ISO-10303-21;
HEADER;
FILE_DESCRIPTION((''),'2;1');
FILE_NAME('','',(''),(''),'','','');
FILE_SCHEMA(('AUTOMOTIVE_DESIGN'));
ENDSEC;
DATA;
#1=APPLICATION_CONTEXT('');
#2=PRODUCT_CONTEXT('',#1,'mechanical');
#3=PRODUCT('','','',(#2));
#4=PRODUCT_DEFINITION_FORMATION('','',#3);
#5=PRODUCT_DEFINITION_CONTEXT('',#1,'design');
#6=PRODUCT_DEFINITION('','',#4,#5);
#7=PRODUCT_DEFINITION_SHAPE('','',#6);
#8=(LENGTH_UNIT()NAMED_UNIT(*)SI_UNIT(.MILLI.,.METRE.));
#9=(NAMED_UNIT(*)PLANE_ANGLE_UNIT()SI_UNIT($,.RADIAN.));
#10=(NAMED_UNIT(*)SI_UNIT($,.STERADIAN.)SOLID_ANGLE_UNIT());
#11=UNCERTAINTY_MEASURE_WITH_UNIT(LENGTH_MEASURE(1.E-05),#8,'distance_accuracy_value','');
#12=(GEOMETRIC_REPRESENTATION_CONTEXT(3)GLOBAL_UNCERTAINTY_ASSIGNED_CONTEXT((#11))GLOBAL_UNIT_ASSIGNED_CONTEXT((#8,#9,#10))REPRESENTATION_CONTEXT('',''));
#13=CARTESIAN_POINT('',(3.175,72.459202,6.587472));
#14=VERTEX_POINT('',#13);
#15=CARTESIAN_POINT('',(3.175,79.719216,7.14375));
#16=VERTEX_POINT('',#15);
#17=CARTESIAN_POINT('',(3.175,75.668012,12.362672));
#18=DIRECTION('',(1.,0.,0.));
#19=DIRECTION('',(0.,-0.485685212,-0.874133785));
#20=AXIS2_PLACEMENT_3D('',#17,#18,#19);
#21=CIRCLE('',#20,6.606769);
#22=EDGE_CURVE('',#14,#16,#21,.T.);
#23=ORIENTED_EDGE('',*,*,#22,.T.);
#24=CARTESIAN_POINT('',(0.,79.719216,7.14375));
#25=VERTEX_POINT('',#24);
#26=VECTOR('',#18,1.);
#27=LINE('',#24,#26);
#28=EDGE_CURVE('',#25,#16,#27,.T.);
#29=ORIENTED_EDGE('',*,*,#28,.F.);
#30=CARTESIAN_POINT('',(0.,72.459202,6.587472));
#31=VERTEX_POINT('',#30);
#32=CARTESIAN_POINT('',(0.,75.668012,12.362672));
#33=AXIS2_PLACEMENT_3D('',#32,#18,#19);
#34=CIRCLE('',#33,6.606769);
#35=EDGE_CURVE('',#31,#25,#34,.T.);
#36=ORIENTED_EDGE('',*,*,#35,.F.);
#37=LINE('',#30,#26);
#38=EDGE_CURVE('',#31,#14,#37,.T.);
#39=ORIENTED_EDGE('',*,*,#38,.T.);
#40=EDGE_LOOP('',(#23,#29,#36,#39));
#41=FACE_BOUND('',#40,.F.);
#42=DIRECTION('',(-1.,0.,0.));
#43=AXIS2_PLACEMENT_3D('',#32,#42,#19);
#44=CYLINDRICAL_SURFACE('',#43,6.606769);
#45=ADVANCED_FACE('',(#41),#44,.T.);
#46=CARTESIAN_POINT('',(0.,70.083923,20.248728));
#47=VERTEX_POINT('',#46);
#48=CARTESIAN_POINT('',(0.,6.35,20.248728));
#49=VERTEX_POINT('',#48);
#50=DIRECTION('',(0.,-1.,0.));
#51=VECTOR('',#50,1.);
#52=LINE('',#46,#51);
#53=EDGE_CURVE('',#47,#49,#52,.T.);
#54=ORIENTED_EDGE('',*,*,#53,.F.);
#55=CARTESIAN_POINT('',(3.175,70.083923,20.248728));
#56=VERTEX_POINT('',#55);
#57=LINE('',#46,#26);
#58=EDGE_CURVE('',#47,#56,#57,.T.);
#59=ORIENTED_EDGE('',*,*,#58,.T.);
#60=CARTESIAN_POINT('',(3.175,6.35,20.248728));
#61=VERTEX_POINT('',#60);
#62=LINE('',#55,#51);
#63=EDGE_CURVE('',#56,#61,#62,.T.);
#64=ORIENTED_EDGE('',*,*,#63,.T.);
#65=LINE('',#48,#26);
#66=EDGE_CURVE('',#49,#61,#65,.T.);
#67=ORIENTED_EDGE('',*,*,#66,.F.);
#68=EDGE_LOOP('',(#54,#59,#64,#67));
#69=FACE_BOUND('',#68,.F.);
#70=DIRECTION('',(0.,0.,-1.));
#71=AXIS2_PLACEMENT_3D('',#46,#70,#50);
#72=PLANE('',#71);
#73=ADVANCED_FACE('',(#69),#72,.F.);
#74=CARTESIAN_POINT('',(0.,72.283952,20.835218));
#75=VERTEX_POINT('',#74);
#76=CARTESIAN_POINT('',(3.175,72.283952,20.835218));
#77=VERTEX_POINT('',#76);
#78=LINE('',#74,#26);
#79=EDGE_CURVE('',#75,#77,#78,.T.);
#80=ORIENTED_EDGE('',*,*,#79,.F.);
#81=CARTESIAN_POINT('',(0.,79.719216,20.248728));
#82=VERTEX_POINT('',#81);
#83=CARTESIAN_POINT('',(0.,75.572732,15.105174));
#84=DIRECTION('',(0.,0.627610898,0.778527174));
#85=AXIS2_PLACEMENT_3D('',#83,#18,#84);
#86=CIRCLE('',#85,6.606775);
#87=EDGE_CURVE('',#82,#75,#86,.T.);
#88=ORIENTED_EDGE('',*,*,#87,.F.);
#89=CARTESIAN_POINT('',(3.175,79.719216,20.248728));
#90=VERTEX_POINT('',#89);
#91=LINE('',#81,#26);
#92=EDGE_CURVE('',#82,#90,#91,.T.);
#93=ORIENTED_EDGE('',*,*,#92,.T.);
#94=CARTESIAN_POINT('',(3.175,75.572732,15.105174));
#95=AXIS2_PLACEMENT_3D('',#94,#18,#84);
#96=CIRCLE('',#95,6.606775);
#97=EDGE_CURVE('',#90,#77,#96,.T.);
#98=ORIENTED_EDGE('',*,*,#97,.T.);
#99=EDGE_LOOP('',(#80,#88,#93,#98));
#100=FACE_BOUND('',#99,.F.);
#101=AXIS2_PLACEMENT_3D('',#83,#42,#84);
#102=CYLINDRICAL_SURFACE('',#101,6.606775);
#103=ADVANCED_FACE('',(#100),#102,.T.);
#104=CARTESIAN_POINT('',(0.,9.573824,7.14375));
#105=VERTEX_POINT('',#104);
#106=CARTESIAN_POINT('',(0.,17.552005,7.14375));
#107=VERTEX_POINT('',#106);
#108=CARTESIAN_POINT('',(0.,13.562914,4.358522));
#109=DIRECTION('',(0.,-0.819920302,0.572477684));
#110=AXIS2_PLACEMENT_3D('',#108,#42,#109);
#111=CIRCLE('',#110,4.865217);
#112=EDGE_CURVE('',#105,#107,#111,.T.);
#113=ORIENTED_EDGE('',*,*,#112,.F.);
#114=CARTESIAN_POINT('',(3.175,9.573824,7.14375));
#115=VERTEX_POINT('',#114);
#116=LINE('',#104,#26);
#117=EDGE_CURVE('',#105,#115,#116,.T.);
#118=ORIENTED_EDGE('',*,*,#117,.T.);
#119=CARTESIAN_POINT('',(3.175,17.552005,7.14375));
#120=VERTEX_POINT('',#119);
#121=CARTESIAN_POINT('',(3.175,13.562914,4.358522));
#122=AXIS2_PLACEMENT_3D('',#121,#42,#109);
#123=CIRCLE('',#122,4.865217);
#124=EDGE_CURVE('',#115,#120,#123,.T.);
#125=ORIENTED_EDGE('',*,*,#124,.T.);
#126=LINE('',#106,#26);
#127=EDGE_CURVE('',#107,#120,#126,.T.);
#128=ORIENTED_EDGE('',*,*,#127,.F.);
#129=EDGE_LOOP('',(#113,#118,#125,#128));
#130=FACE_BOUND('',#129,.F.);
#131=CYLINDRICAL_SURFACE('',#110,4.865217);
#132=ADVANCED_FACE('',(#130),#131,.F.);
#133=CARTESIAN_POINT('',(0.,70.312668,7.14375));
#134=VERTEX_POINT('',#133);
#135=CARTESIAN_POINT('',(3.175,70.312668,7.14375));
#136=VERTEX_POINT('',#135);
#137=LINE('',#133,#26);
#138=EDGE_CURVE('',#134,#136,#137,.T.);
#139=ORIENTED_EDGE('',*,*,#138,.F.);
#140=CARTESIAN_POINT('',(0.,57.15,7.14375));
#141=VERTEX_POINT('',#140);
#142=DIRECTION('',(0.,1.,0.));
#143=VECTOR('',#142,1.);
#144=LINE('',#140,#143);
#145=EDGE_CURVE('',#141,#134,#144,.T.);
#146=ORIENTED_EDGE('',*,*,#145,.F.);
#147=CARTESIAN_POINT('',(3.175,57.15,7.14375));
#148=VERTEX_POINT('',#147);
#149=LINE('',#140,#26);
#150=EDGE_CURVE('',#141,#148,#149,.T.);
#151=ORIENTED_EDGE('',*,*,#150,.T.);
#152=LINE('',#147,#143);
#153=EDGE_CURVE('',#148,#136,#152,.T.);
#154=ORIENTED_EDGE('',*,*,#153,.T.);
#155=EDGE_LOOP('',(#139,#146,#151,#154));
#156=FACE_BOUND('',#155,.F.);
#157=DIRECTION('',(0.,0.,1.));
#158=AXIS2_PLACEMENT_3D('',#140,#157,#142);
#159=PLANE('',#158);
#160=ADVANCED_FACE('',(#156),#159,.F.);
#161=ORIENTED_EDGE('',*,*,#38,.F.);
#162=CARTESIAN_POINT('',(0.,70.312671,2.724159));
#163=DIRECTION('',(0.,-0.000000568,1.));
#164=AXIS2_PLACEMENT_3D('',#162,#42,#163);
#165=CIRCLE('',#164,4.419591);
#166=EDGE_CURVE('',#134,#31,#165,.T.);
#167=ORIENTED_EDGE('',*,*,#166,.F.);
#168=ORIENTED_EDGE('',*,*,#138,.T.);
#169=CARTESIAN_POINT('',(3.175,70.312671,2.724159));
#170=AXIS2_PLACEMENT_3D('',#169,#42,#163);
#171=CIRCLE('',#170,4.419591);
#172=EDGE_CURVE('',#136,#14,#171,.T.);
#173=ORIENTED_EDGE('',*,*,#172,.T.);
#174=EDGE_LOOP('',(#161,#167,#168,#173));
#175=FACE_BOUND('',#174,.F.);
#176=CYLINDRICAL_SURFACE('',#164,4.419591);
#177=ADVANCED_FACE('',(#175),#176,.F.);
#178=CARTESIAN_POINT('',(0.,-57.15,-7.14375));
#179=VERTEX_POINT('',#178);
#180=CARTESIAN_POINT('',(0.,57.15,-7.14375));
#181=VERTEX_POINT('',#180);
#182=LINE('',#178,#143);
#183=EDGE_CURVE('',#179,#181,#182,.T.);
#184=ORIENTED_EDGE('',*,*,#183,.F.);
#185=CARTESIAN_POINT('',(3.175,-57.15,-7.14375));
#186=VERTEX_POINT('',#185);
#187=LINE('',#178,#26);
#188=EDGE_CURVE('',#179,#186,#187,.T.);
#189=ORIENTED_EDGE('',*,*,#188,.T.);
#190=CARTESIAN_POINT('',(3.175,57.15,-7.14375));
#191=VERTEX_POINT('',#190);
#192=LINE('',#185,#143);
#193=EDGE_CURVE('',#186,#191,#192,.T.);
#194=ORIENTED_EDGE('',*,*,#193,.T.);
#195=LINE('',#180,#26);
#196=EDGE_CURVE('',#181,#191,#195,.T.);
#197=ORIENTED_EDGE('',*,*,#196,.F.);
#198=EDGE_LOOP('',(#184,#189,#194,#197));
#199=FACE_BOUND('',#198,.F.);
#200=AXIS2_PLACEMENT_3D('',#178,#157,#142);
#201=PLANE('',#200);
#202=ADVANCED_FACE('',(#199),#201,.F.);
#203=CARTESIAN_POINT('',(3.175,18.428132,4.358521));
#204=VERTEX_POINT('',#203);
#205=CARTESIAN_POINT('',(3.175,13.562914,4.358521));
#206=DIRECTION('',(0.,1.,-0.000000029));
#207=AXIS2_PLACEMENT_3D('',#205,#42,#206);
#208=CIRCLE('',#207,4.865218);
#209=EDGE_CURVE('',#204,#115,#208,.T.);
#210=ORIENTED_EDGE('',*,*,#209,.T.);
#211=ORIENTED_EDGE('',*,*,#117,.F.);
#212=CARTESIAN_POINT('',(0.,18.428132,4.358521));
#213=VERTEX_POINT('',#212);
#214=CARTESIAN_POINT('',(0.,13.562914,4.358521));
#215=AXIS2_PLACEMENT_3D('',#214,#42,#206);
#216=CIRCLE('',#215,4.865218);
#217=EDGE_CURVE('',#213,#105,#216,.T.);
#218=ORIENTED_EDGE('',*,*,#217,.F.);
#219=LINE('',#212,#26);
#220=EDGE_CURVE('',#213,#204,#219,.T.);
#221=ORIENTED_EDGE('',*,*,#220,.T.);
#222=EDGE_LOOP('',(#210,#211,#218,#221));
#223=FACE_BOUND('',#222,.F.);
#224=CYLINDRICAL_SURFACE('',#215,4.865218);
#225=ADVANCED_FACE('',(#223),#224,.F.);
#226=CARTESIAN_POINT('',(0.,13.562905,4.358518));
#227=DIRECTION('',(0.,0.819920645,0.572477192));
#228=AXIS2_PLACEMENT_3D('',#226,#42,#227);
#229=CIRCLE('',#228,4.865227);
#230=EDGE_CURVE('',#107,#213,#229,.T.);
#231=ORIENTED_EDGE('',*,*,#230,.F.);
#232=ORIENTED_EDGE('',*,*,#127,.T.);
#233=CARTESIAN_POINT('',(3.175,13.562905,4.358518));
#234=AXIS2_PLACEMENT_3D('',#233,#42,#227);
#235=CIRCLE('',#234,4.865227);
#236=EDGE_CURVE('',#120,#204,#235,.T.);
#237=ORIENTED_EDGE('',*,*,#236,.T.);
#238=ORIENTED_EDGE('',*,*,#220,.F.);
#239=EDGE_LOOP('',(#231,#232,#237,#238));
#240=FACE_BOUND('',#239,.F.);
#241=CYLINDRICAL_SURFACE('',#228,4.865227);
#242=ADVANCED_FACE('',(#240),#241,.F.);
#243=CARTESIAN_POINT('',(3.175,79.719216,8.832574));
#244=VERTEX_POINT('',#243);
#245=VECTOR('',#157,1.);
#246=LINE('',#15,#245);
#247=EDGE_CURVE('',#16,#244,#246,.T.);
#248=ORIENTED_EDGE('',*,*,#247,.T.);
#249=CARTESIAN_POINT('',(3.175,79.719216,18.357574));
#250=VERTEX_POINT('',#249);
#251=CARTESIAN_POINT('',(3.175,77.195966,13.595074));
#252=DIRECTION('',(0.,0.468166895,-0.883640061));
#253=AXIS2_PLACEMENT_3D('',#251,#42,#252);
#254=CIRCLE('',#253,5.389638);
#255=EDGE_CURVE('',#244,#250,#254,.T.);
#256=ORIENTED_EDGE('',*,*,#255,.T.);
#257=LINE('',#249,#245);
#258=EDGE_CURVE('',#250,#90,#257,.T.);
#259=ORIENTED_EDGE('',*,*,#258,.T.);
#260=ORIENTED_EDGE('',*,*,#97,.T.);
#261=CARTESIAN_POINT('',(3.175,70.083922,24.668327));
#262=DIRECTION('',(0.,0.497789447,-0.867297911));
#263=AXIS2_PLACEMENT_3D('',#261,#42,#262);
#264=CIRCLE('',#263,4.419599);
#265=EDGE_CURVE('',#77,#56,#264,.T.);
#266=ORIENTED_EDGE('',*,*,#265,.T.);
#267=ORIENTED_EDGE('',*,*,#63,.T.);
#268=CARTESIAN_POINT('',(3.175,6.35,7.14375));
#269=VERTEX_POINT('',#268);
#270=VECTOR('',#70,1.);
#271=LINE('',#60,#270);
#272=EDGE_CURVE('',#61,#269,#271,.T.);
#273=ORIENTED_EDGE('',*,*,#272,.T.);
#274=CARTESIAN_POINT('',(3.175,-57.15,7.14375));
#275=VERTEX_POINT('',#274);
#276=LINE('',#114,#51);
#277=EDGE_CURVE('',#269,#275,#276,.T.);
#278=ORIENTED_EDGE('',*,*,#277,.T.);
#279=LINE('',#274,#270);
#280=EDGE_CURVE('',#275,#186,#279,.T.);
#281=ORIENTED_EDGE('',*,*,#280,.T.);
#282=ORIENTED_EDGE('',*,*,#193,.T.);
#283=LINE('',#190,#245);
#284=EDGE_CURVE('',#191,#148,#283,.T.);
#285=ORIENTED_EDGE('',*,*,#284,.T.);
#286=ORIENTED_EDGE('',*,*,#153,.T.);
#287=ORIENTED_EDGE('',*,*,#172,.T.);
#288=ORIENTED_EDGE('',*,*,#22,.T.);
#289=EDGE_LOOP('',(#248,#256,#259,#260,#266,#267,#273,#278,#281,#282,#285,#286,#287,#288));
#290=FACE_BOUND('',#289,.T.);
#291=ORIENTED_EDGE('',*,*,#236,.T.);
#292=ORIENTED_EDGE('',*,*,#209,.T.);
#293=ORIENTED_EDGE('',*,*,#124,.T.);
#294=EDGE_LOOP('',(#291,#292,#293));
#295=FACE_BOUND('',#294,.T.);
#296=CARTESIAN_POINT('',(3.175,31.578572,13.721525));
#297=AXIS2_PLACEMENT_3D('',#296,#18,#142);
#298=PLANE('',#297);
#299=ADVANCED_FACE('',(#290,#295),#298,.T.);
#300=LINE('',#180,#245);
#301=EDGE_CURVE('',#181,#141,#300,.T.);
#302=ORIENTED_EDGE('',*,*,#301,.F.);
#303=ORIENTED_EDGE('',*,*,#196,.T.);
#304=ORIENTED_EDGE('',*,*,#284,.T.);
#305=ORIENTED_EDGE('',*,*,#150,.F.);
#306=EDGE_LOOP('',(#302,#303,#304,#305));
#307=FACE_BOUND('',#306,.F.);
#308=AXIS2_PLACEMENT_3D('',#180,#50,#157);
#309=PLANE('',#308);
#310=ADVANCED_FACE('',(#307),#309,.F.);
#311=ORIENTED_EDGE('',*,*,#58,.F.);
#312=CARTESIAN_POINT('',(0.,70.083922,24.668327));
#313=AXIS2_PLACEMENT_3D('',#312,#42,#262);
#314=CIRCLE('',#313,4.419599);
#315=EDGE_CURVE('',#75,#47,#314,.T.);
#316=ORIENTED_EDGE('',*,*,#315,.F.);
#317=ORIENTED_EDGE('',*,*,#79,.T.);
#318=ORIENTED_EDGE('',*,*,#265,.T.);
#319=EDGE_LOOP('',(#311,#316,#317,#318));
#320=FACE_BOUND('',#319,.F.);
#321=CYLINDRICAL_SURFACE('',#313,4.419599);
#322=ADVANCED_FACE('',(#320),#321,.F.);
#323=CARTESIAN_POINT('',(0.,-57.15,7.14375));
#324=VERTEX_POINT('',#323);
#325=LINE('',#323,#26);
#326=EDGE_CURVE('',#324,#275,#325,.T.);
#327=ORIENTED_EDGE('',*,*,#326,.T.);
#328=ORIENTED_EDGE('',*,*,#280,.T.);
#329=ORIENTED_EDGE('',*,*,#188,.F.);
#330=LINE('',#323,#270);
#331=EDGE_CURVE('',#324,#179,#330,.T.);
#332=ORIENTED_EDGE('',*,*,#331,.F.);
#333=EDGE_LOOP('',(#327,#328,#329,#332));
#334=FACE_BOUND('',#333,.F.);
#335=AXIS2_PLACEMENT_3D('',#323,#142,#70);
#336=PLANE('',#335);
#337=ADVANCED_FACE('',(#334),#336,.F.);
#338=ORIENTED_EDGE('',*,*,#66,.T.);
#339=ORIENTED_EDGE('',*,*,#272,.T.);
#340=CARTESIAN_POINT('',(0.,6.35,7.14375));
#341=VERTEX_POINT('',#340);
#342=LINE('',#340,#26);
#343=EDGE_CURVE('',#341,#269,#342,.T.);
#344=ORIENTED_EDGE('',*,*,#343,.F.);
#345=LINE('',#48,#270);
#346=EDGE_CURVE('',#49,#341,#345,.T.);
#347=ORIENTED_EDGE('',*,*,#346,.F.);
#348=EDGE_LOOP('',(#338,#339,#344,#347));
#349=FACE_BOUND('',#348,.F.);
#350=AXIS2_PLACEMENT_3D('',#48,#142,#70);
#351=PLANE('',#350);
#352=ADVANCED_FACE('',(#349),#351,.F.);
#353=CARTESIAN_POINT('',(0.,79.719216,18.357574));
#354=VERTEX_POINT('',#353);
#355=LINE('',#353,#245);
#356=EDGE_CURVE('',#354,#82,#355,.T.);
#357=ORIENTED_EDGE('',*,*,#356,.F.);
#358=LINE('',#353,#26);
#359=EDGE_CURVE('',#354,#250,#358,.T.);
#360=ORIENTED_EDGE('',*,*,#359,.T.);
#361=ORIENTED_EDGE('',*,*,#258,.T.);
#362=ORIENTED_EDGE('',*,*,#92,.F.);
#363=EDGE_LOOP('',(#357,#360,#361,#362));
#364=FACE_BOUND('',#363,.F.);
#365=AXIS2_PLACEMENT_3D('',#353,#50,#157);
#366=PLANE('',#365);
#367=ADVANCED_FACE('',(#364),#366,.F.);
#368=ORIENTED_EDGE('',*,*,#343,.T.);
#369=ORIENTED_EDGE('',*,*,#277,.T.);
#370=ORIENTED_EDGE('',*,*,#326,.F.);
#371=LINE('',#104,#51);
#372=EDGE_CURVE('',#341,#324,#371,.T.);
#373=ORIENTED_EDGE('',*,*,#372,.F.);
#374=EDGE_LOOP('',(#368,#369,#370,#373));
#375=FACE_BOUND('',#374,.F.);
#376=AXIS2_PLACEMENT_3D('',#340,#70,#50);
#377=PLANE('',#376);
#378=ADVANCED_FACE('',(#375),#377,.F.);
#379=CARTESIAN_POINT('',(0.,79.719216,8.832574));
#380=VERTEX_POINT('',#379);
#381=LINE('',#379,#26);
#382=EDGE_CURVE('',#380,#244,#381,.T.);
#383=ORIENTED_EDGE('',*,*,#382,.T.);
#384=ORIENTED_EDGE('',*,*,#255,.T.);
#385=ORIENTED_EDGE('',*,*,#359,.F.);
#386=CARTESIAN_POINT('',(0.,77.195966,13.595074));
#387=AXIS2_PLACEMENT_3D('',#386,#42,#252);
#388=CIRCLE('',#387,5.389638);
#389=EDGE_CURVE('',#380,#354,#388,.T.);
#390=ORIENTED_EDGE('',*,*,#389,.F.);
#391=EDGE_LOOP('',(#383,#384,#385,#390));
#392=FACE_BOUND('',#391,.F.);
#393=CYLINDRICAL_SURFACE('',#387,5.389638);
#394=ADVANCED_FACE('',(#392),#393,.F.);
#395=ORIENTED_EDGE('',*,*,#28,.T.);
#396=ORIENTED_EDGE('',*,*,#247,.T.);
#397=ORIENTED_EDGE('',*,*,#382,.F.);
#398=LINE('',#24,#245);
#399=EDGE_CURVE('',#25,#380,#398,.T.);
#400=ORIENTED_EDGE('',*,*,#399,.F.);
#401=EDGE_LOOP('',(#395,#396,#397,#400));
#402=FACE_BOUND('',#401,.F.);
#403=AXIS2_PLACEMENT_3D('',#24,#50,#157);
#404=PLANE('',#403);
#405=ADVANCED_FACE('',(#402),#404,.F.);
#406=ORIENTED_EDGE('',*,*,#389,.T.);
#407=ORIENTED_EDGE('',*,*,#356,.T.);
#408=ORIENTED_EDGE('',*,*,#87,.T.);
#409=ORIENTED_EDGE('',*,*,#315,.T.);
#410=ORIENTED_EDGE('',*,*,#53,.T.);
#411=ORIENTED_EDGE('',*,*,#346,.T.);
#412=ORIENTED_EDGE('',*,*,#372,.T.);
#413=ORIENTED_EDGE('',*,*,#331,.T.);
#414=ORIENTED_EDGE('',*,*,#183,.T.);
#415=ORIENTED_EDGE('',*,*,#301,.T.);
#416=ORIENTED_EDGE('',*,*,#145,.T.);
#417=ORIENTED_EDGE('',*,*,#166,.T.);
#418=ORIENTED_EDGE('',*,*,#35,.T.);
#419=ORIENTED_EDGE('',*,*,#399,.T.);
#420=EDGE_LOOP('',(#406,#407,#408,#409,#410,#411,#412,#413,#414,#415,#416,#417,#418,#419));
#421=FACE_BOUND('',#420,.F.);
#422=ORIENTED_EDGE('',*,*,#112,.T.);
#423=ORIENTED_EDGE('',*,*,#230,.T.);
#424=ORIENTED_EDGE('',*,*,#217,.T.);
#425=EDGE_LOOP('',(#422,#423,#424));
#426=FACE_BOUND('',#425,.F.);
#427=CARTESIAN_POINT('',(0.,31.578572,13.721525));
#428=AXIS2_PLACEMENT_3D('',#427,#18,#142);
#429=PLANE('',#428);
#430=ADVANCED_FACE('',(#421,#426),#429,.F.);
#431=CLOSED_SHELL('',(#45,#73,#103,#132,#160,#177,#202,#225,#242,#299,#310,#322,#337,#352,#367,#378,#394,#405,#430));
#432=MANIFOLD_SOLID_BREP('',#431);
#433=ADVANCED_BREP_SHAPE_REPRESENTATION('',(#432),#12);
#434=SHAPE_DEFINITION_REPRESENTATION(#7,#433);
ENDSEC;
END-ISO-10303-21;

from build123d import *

# Parameters (mm, degrees)
F1_DEPTH = 3.175


with BuildPart() as f1:
    # F0 (on Right) → F1 (new body)
    with BuildSketch(Plane.YZ):
        with BuildLine():
            Line((6.35, 20.248728), (6.35, 7.14375))
            Line((6.35, 7.14375), (9.573824, 7.14375))
            ThreePointArc((9.573824, 7.14375), (13.562914, 9.223739), (17.552005, 7.14375))
            Line((17.552005, 7.14375), (57.15, 7.14375))
            Line((57.15, 7.14375), (57.15, 20.248728))
            Line((57.15, 20.248728), (6.35, 20.248728))
        make_face()
        with BuildLine():
            Line((9.573824, 7.14375), (6.35, 7.14375))
            Line((6.35, 7.14375), (0, 7.14375))
            Line((0, 7.14375), (-57.15, 7.14375))
            Line((-57.15, 7.14375), (-57.15, -7.14375))
            Line((-57.15, -7.14375), (57.15, -7.14375))
            Line((57.15, -7.14375), (57.15, 7.14375))
            Line((57.15, 7.14375), (17.552005, 7.14375))
            ThreePointArc((17.552005, 7.14375), (18.203934, 5.81841), (18.428132, 4.358521))
            ThreePointArc((18.428132, 4.358521), (12.103026, -0.282499), (9.573824, 7.14375))
        make_face()
        with BuildLine():
            Line((70.083923, 20.248728), (57.15, 20.248728))
            Line((57.15, 20.248728), (57.15, 7.14375))
            Line((57.15, 7.14375), (70.312668, 7.14375))
            ThreePointArc((70.312668, 7.14375), (71.42139, 7.002421), (72.459202, 6.587472))
            ThreePointArc((72.459202, 6.587472), (76.172758, 5.775212), (79.719216, 7.14375))
            Line((79.719216, 7.14375), (79.719216, 8.832574))
            ThreePointArc((79.719216, 8.832574), (71.806328, 13.595074), (79.719216, 18.357574))
            Line((79.719216, 18.357574), (79.719216, 20.248728))
            ThreePointArc((79.719216, 20.248728), (76.092257, 21.691491), (72.283952, 20.835218))
            ThreePointArc((72.283952, 20.835218), (71.222354, 20.397867), (70.083923, 20.248728))
        make_face()
    extrude(amount=F1_DEPTH)


solid = f1.part
